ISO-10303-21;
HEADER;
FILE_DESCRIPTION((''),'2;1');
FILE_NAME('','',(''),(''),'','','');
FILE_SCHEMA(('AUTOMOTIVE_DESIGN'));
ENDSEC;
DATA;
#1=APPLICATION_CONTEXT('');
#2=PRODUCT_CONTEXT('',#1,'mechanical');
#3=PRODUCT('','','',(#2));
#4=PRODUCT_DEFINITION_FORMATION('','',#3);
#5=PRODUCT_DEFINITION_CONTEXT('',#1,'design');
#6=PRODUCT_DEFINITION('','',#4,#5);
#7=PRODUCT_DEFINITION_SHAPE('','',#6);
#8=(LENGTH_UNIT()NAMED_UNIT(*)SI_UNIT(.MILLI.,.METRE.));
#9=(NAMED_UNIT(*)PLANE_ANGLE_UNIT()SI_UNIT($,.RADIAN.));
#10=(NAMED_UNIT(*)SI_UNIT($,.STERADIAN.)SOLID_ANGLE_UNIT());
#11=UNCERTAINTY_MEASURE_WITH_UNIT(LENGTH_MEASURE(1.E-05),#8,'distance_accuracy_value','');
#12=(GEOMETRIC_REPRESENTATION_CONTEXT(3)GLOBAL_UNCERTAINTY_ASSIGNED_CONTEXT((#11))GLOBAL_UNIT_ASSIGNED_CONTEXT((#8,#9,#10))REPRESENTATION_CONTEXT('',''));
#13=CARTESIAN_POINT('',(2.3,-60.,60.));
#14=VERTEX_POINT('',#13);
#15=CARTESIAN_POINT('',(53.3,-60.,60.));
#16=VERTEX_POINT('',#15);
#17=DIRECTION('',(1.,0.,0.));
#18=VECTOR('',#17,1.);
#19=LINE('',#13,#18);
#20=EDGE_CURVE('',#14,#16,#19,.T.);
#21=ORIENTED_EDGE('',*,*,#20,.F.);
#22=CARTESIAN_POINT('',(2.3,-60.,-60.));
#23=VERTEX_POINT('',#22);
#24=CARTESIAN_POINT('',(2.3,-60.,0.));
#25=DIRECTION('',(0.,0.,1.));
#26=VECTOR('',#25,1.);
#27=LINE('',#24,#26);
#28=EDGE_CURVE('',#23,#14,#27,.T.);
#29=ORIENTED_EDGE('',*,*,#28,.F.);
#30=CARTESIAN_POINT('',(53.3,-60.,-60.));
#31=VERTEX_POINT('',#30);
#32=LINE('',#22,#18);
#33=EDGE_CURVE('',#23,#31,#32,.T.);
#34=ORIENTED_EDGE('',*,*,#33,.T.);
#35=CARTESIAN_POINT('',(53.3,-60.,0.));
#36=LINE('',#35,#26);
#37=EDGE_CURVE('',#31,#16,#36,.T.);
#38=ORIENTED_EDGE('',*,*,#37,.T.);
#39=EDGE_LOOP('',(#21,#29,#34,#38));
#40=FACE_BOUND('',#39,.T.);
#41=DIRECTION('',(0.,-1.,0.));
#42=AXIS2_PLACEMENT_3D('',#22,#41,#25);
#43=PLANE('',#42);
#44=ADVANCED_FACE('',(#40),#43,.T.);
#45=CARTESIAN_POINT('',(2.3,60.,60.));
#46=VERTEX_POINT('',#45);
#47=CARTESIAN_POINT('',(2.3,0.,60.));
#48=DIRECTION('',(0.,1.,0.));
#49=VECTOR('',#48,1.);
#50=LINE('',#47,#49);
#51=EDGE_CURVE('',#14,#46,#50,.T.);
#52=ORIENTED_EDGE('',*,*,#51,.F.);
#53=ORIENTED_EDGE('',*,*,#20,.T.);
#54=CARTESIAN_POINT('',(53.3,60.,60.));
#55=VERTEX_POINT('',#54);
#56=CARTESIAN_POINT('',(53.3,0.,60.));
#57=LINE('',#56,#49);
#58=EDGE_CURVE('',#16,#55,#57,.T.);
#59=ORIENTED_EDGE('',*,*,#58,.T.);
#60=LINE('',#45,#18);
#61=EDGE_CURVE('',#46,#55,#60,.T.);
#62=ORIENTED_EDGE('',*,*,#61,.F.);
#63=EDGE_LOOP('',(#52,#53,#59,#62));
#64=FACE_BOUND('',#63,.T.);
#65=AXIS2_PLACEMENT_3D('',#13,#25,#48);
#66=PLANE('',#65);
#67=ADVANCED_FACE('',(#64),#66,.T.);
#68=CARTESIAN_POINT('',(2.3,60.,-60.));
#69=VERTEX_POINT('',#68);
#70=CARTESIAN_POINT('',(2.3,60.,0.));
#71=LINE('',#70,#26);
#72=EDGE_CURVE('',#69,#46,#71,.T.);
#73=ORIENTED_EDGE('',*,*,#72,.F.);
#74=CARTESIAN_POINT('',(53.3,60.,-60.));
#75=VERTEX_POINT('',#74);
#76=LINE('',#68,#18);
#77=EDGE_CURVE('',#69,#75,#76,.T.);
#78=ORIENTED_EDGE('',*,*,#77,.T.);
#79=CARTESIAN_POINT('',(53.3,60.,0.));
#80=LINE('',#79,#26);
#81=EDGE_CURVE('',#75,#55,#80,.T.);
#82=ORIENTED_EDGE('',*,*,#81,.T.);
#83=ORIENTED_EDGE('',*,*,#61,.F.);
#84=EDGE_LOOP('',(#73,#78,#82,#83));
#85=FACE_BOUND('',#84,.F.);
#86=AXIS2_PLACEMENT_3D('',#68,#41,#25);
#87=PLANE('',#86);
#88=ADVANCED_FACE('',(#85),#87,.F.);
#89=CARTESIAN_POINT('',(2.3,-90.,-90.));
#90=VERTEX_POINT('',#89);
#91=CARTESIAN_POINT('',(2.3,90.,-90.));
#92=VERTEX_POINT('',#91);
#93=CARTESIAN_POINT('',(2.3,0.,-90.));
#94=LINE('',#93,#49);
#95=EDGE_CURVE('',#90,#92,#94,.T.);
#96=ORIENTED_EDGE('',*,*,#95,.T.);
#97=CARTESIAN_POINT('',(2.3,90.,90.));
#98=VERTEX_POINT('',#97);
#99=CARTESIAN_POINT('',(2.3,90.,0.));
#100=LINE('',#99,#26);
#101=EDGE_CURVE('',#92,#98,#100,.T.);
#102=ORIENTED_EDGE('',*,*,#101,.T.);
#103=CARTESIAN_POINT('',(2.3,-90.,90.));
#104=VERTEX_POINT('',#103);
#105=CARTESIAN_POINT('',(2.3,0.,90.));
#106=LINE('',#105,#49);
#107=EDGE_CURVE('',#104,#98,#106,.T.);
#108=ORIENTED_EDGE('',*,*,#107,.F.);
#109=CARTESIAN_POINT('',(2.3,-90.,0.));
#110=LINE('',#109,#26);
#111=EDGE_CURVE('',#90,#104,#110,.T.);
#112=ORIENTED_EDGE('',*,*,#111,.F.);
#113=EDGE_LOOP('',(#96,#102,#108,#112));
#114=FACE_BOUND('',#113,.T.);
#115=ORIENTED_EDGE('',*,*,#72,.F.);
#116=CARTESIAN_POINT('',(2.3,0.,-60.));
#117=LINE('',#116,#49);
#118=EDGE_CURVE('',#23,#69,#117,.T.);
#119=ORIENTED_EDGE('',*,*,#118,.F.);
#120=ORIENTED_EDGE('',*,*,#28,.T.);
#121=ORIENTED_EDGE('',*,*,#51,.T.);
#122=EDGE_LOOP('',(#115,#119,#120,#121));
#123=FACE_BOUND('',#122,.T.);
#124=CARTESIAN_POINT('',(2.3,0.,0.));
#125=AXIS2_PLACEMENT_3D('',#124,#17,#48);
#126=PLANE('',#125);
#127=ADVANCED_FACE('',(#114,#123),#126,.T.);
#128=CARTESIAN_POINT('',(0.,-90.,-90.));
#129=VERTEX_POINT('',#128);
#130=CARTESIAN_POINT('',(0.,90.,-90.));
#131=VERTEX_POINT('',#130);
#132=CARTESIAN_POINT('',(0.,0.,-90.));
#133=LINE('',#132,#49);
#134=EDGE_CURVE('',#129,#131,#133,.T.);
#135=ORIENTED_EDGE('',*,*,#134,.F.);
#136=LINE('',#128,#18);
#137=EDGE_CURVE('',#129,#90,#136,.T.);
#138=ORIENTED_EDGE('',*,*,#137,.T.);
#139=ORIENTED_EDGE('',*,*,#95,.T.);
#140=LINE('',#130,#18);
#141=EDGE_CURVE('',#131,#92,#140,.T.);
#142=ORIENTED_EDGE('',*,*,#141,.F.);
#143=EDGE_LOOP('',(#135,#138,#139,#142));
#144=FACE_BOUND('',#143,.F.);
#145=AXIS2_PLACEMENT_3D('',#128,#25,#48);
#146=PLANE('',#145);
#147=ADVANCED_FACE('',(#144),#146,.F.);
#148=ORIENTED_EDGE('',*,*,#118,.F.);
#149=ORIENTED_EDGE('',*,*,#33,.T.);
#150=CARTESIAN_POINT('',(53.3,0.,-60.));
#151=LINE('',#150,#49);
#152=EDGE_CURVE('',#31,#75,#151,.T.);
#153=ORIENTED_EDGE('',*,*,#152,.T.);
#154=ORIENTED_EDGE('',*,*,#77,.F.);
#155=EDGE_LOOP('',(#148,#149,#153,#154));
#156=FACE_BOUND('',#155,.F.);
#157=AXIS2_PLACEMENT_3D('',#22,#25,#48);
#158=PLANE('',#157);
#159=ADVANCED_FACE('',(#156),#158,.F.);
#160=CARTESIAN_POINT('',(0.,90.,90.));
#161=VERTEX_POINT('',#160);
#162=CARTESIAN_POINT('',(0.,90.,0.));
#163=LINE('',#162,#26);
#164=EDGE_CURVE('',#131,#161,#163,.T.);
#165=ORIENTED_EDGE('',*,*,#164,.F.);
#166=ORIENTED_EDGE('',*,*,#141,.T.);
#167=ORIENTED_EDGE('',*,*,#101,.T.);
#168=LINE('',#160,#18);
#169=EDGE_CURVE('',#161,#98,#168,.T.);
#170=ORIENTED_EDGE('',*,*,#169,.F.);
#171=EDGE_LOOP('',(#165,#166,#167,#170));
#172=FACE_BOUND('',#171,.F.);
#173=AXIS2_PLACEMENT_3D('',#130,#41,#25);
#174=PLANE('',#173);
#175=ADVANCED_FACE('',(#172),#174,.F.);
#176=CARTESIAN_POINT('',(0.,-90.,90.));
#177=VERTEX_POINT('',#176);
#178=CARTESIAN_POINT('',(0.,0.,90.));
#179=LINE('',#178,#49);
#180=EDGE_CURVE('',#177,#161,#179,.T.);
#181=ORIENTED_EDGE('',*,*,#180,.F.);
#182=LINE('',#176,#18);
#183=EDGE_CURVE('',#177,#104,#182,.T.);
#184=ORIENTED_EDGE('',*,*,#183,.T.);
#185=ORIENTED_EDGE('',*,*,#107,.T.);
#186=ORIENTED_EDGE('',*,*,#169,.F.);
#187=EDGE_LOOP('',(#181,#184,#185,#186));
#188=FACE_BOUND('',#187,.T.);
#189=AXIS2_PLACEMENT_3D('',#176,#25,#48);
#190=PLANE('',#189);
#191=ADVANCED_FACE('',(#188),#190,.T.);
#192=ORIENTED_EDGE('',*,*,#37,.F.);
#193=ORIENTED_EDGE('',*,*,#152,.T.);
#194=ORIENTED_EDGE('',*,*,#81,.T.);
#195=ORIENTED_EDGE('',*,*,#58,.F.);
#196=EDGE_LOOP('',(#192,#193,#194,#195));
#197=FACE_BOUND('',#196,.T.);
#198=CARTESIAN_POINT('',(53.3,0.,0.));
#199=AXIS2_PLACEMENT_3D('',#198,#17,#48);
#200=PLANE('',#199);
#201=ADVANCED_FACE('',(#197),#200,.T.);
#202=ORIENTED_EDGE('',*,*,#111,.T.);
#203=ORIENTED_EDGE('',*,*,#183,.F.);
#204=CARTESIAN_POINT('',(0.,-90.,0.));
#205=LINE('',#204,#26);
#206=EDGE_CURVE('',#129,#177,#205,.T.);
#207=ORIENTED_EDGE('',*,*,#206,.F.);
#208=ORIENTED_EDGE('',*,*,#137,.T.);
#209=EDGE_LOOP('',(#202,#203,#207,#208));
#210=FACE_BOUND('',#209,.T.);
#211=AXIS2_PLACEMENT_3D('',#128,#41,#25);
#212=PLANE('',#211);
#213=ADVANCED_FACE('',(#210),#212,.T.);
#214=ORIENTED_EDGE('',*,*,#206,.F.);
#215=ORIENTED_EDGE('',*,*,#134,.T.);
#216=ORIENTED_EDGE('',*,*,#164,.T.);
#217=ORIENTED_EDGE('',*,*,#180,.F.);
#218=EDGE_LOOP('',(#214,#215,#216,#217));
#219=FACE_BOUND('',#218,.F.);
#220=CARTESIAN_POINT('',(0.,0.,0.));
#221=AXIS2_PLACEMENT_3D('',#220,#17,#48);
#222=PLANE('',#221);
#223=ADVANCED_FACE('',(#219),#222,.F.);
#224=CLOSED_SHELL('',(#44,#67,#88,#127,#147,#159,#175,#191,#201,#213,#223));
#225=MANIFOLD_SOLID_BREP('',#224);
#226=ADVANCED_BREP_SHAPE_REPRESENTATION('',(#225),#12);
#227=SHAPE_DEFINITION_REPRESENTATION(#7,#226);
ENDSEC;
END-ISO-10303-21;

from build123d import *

# Parameters (mm, degrees)
F0_W     = 180
F0_H     = 180
F1_DEPTH = 2.3
F2_W     = 120
F2_H     = 120
F3_DEPTH = 51


with BuildPart() as f1:
    # F0 (on Right) → F1 (new body)
    with BuildSketch(Plane.YZ):
        Rectangle(F0_W, F0_H)
    extrude(amount=F1_DEPTH)

    # F2 (on face) → F3 (join)
    with BuildSketch(Plane.YZ.offset(2.3)):
        Rectangle(F2_W, F2_H)
    extrude(amount=F3_DEPTH)


solid = f1.part
